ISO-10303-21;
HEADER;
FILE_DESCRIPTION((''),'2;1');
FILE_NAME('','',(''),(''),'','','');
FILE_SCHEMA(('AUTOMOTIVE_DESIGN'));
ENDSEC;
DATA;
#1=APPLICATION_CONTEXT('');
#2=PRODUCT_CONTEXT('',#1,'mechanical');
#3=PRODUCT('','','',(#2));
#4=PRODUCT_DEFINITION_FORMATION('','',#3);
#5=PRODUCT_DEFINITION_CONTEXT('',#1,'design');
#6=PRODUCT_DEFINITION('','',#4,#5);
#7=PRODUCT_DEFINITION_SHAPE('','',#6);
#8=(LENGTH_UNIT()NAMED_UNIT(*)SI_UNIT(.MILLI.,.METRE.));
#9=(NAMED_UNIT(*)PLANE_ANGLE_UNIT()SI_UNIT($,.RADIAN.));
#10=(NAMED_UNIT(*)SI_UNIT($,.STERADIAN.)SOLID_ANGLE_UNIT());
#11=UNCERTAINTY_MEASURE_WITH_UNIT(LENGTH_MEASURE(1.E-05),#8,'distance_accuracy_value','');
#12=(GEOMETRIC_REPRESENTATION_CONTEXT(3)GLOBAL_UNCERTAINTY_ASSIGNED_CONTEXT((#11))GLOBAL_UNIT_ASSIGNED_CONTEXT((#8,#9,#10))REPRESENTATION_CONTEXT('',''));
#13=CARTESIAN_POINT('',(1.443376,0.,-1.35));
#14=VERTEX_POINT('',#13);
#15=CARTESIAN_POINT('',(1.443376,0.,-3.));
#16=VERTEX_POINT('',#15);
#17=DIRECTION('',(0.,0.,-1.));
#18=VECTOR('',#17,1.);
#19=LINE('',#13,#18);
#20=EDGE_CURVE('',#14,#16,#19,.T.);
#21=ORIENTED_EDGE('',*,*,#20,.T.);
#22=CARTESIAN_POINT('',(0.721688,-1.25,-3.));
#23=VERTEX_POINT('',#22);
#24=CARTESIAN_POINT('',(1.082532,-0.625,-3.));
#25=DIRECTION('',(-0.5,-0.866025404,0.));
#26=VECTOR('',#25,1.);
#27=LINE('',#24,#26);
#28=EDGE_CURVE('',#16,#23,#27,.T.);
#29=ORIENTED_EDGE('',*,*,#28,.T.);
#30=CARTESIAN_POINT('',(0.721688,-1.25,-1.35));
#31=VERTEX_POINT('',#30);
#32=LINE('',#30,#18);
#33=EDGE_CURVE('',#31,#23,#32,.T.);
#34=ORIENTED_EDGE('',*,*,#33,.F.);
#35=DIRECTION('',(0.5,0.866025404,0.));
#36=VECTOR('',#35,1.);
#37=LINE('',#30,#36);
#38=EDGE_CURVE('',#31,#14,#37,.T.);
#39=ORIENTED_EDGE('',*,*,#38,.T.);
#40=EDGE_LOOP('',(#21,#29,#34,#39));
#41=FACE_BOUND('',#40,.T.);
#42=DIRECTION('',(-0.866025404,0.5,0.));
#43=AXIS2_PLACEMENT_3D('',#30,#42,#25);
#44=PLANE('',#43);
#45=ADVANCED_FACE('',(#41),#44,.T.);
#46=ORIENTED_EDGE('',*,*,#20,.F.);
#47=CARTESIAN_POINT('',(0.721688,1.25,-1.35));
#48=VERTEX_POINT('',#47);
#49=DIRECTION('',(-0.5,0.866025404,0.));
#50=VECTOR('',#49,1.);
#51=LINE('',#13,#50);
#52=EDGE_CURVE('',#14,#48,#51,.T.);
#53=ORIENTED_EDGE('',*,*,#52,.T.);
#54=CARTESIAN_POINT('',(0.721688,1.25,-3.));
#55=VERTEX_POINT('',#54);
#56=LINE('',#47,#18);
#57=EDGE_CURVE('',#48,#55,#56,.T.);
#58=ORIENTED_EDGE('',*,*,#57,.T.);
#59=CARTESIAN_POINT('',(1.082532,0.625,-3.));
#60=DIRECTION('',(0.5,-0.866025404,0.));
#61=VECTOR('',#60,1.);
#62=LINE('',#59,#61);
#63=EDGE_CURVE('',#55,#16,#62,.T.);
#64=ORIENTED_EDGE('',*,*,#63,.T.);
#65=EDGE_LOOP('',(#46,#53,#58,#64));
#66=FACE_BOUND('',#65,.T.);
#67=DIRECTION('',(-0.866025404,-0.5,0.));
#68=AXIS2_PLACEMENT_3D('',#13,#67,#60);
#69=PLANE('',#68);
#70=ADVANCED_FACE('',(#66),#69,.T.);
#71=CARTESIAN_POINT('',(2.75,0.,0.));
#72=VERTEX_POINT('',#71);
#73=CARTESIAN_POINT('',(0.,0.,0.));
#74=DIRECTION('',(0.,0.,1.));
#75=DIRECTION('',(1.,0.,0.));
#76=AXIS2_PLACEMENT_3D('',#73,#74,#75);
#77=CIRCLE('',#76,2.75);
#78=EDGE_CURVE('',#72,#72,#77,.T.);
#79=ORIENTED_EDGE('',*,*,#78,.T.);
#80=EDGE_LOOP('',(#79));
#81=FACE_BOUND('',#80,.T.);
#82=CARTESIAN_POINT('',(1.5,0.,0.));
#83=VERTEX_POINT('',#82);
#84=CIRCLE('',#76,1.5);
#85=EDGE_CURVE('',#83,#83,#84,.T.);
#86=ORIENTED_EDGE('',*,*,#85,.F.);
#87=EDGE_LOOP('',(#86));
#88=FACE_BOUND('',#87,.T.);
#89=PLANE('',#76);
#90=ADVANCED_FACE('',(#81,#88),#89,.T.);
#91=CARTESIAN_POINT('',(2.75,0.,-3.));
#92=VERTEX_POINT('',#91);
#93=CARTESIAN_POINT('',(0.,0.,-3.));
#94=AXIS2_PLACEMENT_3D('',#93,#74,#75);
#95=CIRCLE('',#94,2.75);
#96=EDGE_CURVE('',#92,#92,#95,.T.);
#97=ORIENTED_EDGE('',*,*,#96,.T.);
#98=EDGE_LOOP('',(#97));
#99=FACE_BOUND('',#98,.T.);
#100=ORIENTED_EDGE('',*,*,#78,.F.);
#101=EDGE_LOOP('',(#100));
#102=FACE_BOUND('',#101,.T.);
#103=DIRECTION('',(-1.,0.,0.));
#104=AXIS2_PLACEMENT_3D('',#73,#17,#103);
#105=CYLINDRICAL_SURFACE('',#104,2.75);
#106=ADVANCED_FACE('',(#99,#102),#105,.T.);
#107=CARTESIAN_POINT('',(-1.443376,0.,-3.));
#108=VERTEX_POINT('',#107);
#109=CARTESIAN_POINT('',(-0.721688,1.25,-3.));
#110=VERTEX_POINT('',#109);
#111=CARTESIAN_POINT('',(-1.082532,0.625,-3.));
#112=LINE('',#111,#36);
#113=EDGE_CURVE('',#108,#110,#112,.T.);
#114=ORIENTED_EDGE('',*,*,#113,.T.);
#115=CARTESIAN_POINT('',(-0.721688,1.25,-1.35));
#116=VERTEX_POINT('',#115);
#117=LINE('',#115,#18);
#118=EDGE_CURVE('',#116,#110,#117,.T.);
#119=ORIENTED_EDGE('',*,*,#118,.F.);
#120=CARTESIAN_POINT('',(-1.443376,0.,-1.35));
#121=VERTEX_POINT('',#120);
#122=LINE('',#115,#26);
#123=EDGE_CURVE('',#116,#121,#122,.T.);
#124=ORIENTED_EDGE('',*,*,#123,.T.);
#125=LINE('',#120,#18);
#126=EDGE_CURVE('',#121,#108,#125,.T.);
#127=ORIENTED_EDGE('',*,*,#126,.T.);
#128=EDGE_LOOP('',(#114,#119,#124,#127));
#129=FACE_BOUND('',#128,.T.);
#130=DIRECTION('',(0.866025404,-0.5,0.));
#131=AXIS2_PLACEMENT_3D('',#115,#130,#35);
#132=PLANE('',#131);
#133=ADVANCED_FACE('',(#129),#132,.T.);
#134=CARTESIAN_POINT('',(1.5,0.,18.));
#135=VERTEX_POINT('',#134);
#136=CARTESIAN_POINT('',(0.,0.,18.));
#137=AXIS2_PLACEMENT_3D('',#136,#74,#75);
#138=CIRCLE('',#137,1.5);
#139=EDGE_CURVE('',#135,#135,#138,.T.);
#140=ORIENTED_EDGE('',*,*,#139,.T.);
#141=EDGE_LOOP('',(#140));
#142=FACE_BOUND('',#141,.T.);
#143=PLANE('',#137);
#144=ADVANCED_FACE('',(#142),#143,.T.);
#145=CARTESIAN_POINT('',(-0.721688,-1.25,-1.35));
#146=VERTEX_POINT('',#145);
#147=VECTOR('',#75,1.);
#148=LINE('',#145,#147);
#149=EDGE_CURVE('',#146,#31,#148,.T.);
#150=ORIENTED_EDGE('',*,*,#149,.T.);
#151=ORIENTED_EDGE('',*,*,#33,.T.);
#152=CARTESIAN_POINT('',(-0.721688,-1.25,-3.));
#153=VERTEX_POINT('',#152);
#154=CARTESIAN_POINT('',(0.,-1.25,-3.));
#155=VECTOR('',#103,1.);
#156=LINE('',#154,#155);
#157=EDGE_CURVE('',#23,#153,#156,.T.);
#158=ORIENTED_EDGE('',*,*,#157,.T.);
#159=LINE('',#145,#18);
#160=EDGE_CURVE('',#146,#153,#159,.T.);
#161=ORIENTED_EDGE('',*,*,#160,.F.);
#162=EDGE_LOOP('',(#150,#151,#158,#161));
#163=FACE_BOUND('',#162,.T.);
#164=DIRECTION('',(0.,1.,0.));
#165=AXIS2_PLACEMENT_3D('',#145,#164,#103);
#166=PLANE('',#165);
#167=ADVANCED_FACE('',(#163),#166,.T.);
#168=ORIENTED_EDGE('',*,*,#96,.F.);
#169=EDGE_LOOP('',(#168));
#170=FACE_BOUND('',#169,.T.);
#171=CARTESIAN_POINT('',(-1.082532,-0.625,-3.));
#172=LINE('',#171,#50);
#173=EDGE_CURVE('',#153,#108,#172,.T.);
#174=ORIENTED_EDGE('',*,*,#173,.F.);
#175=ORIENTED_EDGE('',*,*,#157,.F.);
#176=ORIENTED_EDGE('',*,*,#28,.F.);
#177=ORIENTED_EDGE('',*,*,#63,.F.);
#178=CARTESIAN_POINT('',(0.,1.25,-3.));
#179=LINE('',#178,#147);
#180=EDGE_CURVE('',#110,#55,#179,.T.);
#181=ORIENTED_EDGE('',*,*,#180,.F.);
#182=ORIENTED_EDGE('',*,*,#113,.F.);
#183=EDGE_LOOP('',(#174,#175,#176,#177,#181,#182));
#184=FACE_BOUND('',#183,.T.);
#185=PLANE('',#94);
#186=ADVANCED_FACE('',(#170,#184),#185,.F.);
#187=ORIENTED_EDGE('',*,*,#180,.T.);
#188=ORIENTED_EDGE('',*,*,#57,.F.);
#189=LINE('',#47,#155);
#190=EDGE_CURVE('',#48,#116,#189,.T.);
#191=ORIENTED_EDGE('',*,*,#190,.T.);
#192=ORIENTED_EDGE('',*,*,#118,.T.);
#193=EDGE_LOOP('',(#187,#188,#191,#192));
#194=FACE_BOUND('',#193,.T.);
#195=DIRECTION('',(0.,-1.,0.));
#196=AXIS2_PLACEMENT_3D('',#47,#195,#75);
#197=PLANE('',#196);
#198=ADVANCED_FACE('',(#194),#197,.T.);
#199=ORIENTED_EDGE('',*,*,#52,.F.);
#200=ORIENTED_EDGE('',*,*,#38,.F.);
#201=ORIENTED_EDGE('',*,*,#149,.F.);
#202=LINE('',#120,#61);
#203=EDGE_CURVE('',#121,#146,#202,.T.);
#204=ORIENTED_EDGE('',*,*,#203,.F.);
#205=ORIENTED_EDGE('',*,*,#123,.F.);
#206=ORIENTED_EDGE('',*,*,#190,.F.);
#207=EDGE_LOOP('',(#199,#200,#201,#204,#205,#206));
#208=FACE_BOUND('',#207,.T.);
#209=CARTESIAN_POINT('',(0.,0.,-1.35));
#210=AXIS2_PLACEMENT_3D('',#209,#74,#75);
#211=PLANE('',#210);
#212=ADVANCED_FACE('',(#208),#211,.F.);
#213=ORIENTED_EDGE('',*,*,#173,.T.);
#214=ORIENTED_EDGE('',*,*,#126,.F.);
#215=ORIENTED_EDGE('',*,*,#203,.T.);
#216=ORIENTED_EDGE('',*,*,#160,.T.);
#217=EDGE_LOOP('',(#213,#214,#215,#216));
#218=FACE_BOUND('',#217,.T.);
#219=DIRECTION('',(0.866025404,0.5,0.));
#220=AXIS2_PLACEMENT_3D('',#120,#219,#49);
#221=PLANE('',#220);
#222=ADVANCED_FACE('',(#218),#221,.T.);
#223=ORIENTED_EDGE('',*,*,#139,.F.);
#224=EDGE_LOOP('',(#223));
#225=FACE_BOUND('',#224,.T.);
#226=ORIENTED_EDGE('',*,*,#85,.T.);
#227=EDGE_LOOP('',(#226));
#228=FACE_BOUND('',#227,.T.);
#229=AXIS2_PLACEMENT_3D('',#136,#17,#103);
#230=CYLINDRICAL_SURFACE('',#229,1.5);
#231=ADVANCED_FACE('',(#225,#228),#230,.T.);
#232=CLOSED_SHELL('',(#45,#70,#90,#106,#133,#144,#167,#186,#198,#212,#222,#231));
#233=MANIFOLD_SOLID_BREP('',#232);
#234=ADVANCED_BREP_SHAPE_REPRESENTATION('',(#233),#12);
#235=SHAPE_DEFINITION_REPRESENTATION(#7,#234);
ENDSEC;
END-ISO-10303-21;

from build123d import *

# Parameters (mm, degrees)
F_01_START                = -3
S01_HEAD_R                = 2.75
F_01_HEAD_DEPTH           = 3
S02_NOMINAL_SHANK_R       = 1.5
F_02_NOMINAL_SHANK_DEPTH  = 18
F_03_START                = -3.1
F_03_HEX_KEY_SOCKET_DEPTH = 1.75


with BuildPart() as part:
    # S01 - Head → 01 - Head (new body)
    with BuildSketch(Plane.XY.offset(F_01_START)):
        Circle(S01_HEAD_R)
    extrude(amount=F_01_HEAD_DEPTH)

    # S02 - Nominal shank → 02 - Nominal shank (add)
    with BuildSketch(Plane.XY):
        Circle(S02_NOMINAL_SHANK_R)
    extrude(amount=F_02_NOMINAL_SHANK_DEPTH)

    # S03 - Hex key socket → 03 - Hex key socket (cut)
    with BuildSketch(Plane.XY.offset(F_03_START)):
        Polygon((1.443375673, 0), (0.721687836, 1.25), (-0.721687836, 1.25), (-1.443375673, 0), (-0.721687836, -1.25), (0.721687836, -1.25), align=None)
    extrude(amount=F_03_HEX_KEY_SOCKET_DEPTH, mode=Mode.SUBTRACT)


solid = part.part
